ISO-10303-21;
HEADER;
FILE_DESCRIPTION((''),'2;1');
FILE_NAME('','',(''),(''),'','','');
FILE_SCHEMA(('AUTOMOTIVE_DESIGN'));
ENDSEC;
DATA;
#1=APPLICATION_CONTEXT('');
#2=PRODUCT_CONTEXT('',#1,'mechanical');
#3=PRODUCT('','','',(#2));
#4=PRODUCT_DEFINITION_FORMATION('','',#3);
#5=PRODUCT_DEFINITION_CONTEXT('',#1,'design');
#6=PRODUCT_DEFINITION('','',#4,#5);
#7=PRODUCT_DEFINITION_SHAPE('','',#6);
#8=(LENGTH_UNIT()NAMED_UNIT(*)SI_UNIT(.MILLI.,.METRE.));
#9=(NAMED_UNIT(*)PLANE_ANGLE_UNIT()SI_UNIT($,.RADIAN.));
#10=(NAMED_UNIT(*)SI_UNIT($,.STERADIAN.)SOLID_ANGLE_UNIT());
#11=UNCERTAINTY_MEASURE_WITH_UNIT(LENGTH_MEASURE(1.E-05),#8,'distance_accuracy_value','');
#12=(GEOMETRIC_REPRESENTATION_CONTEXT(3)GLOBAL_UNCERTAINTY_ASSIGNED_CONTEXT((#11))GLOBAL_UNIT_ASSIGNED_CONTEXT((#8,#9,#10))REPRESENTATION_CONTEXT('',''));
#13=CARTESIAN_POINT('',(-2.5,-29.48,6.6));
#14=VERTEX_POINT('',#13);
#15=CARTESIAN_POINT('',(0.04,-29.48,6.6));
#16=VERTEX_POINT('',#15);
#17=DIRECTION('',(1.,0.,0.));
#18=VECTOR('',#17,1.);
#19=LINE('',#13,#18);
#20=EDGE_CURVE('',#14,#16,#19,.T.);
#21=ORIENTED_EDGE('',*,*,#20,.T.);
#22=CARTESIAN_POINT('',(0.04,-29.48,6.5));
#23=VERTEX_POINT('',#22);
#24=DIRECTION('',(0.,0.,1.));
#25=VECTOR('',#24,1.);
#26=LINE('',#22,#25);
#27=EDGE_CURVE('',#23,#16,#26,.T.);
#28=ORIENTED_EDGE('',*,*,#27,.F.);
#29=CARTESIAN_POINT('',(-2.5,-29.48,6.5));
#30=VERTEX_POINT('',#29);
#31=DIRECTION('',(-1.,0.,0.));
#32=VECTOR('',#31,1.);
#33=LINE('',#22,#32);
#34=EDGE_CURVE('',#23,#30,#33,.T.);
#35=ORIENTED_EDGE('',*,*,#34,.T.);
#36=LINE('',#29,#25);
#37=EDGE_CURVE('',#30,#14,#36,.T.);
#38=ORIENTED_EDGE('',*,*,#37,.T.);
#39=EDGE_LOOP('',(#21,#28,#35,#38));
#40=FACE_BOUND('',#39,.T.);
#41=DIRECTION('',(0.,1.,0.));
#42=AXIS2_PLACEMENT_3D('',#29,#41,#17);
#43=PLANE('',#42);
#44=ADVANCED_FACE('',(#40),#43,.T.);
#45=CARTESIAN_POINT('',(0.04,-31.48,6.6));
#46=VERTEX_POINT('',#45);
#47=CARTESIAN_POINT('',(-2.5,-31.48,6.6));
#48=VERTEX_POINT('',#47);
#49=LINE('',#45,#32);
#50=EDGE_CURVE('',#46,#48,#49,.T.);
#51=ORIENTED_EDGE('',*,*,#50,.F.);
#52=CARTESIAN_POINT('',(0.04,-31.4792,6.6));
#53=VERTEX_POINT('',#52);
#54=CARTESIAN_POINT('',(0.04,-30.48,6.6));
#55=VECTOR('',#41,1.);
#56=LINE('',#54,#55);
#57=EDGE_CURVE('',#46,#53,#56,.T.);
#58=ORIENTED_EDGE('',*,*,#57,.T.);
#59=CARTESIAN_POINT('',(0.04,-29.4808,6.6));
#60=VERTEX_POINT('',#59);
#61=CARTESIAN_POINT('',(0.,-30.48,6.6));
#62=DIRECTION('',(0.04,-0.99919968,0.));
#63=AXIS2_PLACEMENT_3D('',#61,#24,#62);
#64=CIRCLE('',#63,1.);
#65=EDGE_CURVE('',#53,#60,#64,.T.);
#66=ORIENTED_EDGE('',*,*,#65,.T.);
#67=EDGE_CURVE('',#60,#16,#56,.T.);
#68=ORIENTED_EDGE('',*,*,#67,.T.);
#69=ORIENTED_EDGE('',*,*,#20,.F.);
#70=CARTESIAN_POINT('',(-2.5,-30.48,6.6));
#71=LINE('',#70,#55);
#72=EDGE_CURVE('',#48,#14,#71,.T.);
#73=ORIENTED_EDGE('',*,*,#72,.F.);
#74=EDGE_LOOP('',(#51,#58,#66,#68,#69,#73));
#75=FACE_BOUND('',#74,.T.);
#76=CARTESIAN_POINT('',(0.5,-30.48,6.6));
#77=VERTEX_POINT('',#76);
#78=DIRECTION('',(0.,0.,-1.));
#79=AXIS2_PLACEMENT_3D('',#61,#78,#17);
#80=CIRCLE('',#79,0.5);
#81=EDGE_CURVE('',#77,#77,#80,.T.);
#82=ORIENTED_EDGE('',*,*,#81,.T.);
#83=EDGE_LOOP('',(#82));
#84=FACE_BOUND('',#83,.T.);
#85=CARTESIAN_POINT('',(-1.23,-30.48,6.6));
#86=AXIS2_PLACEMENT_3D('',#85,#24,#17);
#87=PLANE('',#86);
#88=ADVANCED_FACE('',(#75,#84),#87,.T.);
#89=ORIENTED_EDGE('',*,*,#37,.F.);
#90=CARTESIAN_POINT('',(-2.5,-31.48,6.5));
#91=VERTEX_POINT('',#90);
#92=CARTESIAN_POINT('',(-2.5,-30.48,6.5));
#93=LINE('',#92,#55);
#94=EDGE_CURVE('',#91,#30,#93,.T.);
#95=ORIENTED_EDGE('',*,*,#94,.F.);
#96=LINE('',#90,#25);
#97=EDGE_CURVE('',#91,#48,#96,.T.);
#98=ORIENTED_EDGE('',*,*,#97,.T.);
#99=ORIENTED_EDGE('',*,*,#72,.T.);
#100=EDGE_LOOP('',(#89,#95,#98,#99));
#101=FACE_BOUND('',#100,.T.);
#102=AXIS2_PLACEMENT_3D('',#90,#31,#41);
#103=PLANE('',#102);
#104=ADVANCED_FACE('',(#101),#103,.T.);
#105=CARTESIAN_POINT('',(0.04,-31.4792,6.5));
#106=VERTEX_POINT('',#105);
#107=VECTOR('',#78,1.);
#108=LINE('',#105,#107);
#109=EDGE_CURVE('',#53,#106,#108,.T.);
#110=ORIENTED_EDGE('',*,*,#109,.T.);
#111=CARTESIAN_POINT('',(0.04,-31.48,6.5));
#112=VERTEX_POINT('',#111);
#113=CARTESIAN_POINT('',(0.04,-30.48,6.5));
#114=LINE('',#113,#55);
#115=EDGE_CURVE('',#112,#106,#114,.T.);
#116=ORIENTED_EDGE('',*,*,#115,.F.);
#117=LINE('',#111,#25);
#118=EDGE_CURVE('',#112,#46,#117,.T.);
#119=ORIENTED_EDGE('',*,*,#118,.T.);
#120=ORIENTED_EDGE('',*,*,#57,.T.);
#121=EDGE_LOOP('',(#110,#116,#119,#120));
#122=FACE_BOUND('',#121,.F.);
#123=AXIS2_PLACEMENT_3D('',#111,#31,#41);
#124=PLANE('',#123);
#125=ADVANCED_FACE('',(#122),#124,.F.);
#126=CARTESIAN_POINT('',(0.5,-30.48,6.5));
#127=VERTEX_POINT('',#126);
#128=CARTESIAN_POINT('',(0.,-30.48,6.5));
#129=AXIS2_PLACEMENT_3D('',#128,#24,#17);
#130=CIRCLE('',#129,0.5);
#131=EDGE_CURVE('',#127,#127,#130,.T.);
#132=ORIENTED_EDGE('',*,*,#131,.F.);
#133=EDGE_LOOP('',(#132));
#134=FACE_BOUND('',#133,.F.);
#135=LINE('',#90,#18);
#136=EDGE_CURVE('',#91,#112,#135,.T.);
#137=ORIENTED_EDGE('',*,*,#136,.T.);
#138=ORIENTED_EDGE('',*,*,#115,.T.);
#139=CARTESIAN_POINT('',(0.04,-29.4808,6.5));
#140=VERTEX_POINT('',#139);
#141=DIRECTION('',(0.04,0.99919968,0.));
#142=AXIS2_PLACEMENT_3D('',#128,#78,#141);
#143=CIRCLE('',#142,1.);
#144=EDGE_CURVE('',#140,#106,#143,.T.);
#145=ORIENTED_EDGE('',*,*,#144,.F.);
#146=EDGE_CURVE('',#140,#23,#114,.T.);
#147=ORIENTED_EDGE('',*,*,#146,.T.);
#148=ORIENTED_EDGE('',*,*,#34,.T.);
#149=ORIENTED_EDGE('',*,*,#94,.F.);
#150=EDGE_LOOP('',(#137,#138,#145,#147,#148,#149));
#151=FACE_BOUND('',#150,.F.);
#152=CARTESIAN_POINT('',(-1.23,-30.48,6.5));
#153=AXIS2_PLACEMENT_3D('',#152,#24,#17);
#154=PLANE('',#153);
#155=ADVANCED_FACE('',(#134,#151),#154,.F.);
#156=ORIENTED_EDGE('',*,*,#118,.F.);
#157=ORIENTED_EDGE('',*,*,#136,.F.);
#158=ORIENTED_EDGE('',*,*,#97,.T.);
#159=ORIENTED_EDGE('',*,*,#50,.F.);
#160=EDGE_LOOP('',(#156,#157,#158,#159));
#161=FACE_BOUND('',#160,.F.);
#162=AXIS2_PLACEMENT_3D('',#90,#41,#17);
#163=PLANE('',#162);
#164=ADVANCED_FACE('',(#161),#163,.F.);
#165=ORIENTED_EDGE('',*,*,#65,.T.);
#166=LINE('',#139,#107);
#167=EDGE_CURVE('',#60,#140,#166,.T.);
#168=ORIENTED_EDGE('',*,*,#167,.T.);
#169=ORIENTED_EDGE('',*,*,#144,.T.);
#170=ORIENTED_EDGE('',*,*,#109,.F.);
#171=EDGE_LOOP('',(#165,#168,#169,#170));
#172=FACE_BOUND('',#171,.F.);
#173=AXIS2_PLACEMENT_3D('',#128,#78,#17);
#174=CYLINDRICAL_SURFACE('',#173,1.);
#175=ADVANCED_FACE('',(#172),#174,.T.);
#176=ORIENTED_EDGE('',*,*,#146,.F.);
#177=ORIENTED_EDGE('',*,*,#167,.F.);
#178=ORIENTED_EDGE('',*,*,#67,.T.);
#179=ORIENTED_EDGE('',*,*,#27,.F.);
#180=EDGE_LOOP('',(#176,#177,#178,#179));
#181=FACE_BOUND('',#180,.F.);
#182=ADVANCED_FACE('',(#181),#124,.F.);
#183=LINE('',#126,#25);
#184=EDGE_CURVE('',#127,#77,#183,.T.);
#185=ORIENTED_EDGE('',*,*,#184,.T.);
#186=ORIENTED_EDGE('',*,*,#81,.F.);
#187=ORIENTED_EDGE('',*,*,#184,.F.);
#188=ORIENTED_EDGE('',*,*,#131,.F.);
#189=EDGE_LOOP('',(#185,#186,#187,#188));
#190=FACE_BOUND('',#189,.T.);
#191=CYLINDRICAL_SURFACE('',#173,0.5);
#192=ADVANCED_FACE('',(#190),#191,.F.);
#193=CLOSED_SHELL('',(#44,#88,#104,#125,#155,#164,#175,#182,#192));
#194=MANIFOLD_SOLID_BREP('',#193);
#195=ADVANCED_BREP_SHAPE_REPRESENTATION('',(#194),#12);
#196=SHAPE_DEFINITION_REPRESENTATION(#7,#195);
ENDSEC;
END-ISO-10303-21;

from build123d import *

# Parameters (mm, degrees)
CYLINDER038_R     = 0.5
CYLINDER038_DEPTH = 0.1
BOX015_W          = 2.54
BOX015_H          = 2
BOX015_DEPTH      = 0.1
CYLINDER037_R     = 0.5
CYLINDER037_DEPTH = 0.1
CYLINDER036_R     = 1
CYLINDER036_DEPTH = 0.1


with BuildPart() as cylinder038:
    # Cylinder038 → Cylinder038 (new body)
    with BuildSketch(Plane.XY.offset(1)):
        Circle(CYLINDER038_R)
    extrude(amount=CYLINDER038_DEPTH)


with BuildPart() as cut026:
    # Box015 → Box015 (new body)
    with BuildSketch(Plane(origin=(-2.5, -1, 1), x_dir=(1, 0, 0), z_dir=(0, 0, 1))):
        with Locations((1.27, 1)):
            Rectangle(BOX015_W, BOX015_H)
    extrude(amount=BOX015_DEPTH)

    # Cut026: cut Cylinder038
    add(cylinder038.part, mode=Mode.SUBTRACT)


with BuildPart() as cylinder037:
    # Cylinder037 → Cylinder037 (new body)
    with BuildSketch(Plane.XY.offset(1)):
        Circle(CYLINDER037_R)
    extrude(amount=CYLINDER037_DEPTH)


with BuildPart() as fusion012:
    # Cylinder036 → Cylinder036 (new body)
    with BuildSketch(Plane.XY.offset(1)):
        Circle(CYLINDER036_R)
    extrude(amount=CYLINDER036_DEPTH)

    # Cut025: cut Cylinder037
    add(cylinder037.part, mode=Mode.SUBTRACT)

    # Fusion012: union Cut026
    add(cut026.part)


with BuildPart() as fusion012_1:
    # Fusion012 placement: moved
    add(fusion012.part.moved(Location((0, -30.48, 5.5))))


solid = fusion012_1.part
